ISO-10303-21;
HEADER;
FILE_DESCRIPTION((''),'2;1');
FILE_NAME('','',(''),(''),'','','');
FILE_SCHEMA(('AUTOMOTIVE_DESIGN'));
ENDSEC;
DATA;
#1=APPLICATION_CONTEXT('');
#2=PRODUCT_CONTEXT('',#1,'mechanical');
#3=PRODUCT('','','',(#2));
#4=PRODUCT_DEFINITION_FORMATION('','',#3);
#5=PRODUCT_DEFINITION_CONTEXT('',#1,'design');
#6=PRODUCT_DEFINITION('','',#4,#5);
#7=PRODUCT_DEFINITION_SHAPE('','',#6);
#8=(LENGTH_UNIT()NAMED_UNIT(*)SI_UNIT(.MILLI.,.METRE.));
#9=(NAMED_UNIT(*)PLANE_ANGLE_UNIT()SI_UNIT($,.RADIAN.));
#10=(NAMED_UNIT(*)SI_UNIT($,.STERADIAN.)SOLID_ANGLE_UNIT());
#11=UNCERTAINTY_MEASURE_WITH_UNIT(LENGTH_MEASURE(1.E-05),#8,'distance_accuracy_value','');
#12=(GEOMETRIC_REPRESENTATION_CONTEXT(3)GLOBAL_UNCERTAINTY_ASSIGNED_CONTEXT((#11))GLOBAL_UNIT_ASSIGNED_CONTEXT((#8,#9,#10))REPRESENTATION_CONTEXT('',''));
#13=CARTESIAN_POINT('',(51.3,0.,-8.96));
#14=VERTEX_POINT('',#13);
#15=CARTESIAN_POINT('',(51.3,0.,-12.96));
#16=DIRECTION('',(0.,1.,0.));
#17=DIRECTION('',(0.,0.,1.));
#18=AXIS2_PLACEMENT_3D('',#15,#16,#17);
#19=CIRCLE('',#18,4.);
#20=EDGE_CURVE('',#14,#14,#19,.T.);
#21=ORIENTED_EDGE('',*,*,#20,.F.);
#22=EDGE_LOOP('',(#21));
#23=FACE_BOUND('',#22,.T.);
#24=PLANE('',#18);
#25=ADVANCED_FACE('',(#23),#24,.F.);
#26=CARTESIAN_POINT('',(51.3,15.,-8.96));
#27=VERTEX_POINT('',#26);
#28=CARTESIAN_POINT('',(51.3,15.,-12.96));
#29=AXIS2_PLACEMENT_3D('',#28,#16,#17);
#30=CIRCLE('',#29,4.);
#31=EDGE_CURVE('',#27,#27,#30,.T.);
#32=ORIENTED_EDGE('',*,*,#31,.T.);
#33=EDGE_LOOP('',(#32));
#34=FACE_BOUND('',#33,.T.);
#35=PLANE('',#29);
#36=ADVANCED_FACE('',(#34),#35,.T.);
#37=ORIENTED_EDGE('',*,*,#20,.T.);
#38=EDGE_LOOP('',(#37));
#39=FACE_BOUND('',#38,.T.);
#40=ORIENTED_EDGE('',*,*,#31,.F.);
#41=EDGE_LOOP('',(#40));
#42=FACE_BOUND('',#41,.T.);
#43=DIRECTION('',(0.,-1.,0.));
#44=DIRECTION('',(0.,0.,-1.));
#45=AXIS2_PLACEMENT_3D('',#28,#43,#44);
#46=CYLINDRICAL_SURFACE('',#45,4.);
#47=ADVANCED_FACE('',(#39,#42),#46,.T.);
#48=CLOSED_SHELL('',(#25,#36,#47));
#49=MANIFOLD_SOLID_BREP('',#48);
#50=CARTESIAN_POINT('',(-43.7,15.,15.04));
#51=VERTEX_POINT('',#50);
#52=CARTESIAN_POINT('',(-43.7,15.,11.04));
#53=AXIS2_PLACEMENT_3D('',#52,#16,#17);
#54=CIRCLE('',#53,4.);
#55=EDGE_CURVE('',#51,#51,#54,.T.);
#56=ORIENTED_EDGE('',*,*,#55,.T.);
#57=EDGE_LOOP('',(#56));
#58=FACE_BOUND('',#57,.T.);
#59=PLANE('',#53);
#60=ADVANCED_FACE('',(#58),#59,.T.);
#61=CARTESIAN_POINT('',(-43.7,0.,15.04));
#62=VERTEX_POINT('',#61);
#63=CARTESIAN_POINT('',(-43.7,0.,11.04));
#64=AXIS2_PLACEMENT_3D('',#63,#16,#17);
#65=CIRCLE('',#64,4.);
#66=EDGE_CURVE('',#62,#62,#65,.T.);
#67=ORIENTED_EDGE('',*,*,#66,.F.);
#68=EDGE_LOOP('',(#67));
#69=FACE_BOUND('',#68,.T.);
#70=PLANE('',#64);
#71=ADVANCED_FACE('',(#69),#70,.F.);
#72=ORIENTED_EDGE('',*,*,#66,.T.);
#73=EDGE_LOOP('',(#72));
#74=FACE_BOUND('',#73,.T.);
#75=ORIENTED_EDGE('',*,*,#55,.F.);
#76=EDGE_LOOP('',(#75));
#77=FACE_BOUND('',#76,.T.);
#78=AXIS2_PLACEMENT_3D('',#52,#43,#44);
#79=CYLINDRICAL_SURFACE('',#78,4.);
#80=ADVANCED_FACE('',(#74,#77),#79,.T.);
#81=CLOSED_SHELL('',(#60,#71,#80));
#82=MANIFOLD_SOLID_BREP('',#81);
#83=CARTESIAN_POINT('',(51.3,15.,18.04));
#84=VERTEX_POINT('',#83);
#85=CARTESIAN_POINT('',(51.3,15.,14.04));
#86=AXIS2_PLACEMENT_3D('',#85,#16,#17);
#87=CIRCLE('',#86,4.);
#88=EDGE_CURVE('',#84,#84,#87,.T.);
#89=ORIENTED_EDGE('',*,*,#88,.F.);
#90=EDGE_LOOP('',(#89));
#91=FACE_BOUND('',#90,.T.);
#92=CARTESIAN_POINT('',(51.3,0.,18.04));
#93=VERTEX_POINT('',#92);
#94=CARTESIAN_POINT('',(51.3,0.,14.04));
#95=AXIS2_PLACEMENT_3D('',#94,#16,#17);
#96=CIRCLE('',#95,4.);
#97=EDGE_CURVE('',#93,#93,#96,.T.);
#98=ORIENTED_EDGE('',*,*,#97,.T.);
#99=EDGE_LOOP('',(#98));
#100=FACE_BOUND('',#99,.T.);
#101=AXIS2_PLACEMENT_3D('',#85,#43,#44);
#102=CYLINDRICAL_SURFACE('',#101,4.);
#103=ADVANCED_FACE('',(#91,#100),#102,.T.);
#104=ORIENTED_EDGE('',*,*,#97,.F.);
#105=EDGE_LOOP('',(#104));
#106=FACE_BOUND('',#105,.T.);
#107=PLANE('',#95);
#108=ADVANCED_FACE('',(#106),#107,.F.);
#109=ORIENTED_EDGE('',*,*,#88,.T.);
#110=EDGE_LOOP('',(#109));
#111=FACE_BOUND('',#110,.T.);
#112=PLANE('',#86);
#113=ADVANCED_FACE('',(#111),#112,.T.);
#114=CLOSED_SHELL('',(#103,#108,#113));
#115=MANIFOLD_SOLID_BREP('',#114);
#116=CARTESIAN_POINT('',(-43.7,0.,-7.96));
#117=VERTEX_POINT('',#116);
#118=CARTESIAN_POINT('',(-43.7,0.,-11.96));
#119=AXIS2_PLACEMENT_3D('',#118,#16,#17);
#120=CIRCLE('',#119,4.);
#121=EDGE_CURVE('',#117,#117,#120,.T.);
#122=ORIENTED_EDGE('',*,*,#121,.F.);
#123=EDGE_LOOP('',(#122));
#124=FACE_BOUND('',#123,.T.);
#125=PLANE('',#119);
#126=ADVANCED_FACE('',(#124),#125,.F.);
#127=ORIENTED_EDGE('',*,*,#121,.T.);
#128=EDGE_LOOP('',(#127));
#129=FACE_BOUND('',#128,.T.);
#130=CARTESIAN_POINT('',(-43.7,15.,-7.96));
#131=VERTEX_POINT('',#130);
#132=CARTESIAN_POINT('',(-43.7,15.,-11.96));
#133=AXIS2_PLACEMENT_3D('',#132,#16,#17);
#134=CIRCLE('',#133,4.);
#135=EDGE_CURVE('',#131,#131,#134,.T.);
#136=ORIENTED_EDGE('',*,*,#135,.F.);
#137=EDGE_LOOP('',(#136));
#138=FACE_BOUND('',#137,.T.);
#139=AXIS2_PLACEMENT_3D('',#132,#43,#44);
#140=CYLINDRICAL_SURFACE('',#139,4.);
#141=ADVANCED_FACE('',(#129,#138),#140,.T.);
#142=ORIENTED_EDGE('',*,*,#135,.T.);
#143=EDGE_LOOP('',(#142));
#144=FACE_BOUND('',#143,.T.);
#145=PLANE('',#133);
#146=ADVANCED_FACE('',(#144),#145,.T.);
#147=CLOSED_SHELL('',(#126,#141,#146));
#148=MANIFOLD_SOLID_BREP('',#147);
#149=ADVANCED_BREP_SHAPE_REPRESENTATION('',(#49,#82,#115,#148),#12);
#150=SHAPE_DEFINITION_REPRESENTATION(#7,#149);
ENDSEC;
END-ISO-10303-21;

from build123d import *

# Parameters (mm, degrees)
SKETCH1_R             = 4
BOSS_EXTRUDE1_DEPTH   = 15
BOSS_EXTRUDE1_2_DEPTH = 15
BOSS_EXTRUDE1_3_DEPTH = 15
BOSS_EXTRUDE1_4_DEPTH = 15


with BuildPart() as part:
    # Sketch1 → Boss-Extrude1 (new body)
    with BuildSketch(Plane(origin=(0, 0, 0), x_dir=(1, 0, 0), z_dir=(0, 1, 0))):
        with Locations(Location((-43.699999973, 11.959999981, 0), (0, 0, 270))):
            Circle(SKETCH1_R)
    extrude(amount=BOSS_EXTRUDE1_DEPTH)


with BuildPart() as body_2:
    # Sketch1 → Boss-Extrude1 2 (new body)
    with BuildSketch(Plane(origin=(0, 0, 0), x_dir=(1, 0, 0), z_dir=(0, 1, 0))):
        with Locations(Location((-43.699999973, -11.039999993, 0), (0, 0, 270))):
            Circle(SKETCH1_R)
    extrude(amount=BOSS_EXTRUDE1_2_DEPTH)


with BuildPart() as body_3:
    # Sketch1 → Boss-Extrude1 3 (new body)
    with BuildSketch(Plane(origin=(0, 0, 0), x_dir=(1, 0, 0), z_dir=(0, 1, 0))):
        with Locations(Location((51.300000027, -14.039999993, 0), (0, 0, 270))):
            Circle(SKETCH1_R)
    extrude(amount=BOSS_EXTRUDE1_3_DEPTH)


with BuildPart() as body_4:
    # Sketch1 → Boss-Extrude1 4 (new body)
    with BuildSketch(Plane(origin=(0, 0, 0), x_dir=(1, 0, 0), z_dir=(0, 1, 0))):
        with Locations(Location((51.300000027, 12.960000007, 0), (0, 0, 270))):
            Circle(SKETCH1_R)
    extrude(amount=BOSS_EXTRUDE1_4_DEPTH)


solid = Compound([part.part, body_2.part, body_3.part, body_4.part])
